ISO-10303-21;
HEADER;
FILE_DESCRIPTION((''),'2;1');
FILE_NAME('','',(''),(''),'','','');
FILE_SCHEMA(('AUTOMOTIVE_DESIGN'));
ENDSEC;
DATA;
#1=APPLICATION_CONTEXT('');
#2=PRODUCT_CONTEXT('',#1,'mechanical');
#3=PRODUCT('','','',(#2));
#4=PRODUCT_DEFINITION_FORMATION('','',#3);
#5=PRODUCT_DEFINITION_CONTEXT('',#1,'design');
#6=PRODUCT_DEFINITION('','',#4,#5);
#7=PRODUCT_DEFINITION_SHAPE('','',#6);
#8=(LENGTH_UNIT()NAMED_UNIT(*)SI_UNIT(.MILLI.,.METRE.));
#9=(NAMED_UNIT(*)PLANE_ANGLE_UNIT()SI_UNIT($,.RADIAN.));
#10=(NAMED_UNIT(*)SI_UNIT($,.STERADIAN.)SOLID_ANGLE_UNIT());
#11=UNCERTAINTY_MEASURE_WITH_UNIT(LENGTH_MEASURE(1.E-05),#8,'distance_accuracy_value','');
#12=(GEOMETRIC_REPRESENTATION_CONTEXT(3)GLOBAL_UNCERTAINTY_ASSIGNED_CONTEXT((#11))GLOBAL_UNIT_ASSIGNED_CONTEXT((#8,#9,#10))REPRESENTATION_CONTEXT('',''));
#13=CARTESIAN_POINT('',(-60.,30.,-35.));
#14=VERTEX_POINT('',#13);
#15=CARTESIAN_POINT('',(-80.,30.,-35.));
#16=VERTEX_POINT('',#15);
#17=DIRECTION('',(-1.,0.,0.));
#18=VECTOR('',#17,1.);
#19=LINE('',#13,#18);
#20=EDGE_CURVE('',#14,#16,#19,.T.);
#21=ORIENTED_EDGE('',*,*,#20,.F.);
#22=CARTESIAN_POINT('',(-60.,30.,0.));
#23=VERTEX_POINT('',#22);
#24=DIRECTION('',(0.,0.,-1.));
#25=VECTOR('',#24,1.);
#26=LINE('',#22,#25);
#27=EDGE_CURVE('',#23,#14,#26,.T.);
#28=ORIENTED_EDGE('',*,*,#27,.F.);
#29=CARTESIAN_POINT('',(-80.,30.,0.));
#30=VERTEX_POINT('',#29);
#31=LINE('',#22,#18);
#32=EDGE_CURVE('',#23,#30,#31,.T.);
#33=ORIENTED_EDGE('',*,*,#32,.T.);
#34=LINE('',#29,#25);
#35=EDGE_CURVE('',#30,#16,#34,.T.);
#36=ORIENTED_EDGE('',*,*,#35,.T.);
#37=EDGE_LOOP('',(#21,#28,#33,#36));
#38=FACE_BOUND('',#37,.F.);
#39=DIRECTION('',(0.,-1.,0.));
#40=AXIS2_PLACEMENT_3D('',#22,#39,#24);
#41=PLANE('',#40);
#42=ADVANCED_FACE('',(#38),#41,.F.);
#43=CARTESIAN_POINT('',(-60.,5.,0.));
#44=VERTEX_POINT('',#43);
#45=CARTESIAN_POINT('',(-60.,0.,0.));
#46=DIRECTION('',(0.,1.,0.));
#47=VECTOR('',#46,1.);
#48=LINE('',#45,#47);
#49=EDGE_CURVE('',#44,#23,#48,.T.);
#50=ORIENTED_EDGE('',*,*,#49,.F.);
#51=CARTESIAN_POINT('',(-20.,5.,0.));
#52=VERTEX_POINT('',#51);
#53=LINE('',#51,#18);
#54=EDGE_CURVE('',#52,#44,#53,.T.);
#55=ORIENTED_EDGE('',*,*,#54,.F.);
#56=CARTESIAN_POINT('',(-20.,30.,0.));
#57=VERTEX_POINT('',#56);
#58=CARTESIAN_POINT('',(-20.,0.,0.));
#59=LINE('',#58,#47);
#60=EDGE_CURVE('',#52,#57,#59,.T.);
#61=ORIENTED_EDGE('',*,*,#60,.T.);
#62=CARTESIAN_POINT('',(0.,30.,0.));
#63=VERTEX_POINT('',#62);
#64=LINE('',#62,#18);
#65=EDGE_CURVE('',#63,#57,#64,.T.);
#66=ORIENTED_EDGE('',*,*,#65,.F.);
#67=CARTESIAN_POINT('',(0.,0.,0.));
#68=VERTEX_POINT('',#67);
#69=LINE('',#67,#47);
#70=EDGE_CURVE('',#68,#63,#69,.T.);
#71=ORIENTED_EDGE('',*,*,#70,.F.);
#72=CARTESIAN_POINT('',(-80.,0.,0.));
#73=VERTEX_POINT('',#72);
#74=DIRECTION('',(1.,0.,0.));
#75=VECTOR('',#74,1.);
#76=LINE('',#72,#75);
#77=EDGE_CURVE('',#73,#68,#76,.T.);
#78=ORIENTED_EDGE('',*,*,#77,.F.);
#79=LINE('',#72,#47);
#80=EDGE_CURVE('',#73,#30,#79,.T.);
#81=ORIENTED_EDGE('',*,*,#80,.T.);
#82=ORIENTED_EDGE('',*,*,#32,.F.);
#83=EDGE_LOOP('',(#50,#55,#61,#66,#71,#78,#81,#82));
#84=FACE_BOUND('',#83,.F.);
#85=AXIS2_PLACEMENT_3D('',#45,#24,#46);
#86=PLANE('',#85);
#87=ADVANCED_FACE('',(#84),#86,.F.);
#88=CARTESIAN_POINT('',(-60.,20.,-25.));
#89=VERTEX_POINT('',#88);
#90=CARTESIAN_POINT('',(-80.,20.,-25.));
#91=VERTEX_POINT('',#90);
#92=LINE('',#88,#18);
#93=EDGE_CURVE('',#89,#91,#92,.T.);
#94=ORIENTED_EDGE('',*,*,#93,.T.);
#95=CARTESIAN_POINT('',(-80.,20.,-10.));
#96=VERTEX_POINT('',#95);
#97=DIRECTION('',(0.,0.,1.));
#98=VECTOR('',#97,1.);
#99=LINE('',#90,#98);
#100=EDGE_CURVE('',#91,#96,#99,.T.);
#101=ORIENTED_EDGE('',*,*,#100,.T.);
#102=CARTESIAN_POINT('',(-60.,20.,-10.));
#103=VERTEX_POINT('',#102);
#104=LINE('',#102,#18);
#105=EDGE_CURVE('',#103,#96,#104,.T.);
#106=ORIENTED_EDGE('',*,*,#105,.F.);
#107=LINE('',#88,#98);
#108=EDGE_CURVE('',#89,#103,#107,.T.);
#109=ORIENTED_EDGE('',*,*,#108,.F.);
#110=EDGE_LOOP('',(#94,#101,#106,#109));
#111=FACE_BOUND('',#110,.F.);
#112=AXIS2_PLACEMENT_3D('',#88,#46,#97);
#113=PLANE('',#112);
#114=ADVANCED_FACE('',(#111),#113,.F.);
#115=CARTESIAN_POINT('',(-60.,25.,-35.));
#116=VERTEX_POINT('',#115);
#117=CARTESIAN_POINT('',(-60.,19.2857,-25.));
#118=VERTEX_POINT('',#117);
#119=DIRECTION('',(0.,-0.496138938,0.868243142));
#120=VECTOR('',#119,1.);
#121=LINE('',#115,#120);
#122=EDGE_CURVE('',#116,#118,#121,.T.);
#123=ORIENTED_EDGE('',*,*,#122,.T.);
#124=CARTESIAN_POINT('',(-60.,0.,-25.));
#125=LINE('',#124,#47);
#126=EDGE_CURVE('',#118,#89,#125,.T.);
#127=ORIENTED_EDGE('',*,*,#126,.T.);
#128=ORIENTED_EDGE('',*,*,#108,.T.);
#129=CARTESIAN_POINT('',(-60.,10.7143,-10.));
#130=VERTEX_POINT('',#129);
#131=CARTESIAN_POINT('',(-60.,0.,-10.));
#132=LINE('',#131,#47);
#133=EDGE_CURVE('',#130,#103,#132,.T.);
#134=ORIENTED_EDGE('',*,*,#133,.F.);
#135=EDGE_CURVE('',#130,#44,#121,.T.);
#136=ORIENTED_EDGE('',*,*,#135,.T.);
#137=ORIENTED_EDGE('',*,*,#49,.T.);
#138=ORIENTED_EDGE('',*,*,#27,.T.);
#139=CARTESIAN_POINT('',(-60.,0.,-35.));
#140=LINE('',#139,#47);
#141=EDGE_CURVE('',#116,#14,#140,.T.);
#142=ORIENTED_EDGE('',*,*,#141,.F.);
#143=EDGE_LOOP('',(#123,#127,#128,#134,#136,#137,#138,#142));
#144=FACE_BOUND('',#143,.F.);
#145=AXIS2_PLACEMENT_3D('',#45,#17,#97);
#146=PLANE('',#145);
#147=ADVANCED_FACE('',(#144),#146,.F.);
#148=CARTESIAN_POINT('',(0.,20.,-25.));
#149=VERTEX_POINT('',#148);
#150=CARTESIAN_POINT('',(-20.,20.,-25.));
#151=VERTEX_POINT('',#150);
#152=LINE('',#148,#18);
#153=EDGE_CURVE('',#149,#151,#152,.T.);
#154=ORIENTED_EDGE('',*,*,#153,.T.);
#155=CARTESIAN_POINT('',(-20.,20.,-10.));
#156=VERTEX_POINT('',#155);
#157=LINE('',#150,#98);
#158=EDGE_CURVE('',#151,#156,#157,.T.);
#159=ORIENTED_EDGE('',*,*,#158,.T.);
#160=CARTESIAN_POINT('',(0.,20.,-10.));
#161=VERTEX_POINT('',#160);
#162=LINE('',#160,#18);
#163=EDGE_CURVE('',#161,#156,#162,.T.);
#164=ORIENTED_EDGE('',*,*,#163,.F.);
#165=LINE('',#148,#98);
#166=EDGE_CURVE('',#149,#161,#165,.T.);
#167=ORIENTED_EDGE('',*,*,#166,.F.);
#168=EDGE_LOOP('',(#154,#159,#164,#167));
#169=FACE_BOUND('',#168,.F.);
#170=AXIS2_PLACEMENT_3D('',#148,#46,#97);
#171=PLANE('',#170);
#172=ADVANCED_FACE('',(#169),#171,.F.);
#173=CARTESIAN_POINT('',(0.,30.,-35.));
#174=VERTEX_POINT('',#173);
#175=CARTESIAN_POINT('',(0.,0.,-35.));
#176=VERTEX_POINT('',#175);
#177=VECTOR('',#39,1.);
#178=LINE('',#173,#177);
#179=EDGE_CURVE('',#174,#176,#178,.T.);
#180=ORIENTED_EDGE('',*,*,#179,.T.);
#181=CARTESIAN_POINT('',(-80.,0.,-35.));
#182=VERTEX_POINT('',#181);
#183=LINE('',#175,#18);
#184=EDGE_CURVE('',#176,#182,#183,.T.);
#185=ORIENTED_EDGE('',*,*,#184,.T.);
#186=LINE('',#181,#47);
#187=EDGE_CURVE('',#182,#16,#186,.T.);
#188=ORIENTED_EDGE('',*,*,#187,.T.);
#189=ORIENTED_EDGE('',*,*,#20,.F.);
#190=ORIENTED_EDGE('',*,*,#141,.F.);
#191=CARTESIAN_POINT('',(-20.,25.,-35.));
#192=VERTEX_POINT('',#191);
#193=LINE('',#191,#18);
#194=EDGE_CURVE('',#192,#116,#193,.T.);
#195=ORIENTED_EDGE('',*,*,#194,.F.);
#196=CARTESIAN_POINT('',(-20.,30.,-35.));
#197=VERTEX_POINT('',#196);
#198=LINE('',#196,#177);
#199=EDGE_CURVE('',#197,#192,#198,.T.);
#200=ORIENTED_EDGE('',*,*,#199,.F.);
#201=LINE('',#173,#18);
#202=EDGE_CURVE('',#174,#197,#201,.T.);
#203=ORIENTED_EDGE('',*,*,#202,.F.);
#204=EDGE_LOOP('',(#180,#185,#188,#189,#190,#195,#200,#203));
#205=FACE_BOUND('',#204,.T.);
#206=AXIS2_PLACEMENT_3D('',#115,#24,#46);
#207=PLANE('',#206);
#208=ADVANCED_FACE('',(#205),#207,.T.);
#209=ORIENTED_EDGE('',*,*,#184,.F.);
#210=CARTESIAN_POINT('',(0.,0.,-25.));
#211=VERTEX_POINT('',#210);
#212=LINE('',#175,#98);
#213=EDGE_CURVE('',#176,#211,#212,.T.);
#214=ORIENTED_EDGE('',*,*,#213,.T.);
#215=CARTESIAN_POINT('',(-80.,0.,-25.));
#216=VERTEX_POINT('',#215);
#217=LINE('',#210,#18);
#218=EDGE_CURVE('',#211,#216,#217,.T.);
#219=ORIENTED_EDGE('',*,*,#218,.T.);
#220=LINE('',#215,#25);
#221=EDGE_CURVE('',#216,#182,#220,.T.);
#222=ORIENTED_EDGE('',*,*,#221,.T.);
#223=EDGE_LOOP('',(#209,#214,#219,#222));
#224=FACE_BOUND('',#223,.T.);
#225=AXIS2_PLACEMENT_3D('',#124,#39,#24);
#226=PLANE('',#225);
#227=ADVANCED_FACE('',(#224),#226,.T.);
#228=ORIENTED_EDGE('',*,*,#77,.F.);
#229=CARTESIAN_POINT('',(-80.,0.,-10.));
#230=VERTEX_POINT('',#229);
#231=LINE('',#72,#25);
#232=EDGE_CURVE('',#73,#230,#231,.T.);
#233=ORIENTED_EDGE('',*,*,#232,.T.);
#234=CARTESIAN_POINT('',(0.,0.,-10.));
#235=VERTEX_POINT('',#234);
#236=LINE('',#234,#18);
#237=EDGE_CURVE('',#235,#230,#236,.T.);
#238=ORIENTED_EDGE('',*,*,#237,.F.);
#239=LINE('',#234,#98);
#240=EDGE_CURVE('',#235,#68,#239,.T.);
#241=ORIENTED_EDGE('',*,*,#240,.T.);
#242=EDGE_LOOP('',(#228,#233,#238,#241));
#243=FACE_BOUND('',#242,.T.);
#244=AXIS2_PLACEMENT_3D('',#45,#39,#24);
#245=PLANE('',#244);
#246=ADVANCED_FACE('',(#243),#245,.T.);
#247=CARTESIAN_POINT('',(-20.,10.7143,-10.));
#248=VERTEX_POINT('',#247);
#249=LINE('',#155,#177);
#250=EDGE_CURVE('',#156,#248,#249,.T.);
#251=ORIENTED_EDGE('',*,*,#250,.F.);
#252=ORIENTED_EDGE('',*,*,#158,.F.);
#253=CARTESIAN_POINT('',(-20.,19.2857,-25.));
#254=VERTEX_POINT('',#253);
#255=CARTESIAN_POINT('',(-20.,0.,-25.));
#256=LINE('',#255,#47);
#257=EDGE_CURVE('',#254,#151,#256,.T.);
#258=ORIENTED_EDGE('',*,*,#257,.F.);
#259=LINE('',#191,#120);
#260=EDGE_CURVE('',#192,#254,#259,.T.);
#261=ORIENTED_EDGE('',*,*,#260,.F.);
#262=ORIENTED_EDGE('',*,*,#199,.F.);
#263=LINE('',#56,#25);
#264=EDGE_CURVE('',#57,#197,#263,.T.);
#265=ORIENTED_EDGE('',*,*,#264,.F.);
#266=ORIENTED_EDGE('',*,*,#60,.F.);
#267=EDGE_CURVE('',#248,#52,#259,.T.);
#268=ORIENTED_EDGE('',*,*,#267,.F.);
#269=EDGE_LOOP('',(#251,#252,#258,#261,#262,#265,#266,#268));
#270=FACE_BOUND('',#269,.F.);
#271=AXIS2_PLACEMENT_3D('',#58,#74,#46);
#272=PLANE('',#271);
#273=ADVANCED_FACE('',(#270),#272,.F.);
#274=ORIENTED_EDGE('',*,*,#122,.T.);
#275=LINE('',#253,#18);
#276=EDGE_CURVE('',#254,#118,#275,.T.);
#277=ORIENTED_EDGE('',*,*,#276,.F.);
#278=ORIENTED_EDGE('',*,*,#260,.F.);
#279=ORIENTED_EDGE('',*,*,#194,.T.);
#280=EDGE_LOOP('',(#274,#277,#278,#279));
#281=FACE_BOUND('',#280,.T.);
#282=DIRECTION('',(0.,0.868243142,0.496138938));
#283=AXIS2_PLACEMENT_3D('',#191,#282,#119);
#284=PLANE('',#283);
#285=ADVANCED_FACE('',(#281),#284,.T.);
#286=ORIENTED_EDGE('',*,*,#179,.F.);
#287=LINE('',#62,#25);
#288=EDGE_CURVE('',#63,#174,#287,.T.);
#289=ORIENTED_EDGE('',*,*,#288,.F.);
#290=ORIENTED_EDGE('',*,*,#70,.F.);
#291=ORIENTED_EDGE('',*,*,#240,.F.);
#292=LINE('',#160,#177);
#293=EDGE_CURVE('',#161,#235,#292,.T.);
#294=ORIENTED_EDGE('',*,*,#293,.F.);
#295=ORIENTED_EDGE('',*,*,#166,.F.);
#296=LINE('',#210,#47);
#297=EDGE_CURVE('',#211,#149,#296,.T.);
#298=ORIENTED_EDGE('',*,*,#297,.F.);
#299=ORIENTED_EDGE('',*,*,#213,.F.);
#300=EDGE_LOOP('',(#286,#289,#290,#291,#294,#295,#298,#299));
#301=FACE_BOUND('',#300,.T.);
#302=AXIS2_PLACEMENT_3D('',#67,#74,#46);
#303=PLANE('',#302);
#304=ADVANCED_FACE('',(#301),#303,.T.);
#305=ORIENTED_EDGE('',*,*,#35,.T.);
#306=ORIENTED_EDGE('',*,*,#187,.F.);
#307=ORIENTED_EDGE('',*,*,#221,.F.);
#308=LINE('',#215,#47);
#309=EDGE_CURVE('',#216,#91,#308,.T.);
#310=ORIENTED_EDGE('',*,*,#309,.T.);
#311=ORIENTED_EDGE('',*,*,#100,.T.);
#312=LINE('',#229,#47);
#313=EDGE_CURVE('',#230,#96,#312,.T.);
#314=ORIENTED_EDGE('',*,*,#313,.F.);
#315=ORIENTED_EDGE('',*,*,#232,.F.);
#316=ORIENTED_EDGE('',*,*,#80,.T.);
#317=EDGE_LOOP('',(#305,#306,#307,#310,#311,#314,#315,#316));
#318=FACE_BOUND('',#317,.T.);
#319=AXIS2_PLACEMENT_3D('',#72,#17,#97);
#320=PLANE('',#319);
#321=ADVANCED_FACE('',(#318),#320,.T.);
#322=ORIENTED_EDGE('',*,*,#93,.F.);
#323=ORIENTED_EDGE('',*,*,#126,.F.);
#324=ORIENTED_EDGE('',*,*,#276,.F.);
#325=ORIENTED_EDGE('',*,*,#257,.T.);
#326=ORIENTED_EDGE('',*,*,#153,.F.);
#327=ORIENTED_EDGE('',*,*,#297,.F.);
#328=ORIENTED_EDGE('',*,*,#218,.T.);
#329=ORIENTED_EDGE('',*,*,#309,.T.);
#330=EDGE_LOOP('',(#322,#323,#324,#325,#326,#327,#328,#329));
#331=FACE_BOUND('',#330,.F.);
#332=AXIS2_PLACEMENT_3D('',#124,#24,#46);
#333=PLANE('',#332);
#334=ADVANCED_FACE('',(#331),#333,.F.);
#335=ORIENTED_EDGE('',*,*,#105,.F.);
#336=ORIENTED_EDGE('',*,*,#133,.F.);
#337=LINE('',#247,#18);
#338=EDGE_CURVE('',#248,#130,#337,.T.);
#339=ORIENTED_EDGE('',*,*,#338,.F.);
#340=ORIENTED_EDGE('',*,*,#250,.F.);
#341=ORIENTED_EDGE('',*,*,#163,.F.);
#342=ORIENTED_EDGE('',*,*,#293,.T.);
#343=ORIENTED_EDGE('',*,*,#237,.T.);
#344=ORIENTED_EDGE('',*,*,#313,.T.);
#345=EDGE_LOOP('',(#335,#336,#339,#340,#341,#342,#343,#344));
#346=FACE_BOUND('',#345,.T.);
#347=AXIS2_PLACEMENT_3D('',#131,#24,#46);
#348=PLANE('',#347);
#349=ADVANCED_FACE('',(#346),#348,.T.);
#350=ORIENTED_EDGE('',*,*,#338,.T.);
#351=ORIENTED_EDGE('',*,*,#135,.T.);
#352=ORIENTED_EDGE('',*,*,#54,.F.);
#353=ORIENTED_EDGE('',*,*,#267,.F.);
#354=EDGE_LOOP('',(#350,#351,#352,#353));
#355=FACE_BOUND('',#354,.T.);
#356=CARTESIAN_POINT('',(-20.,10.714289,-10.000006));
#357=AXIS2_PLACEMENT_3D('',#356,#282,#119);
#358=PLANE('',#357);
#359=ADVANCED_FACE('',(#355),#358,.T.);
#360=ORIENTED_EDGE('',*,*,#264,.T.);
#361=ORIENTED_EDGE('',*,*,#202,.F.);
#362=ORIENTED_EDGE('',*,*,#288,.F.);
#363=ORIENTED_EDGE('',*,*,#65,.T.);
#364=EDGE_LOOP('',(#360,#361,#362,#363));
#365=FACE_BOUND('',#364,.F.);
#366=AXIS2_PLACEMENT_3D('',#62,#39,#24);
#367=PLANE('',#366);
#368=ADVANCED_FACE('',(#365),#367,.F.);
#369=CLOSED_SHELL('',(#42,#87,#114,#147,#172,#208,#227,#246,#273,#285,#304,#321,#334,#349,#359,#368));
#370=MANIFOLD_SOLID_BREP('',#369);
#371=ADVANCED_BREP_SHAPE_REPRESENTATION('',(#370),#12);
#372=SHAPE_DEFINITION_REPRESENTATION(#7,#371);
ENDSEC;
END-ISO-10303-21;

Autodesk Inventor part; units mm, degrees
ref_plane "YZ Plane" through (0, 0, 0) normal (1, 0, 0) x (0, 1, 0)
ref_plane "XZ Plane" through (0, 0, 0) normal (0, 1, 0) x (-1, 0, 0)
ref_plane "XY Plane" through (0, 0, 0) normal (0, 0, 1) x (1, 0, 0)
sketch "Sketch1" plane through (0, 0, 0) normal (0, 0, 1) x (1, 0, 0)
  point P0 (0, 0)
sketch "Sketch2" plane through (0, 0, 0) normal (1, 0, 0) x (0, 1, 0)
  line L0 (0, 0) -> (30, 0)
  line L1 (30, 0) -> (30, -35)
  line L2 (30, -35) -> (0, -35)
  line L3 (0, -35) -> (0, -25)
  line L4 (0, -25) -> (20, -25)
  line L5 (20, -25) -> (20, -10)
  line L6 (20, -10) -> (0, -10)
  line L7 (0, -10) -> (0, 0)
extrude "Extrusion1" add sketch "Sketch2" against normal blind 20
sketch "Sketch3" plane through (-20, 0, 0) normal (-1, 0, 0) x (0, 0, 1)
  line L0 (0, 0) -> (0, 30) projected
  line L1 (0, 5) -> (0, 0)
  line L2 (-35, 30) -> (-35, 0) projected
  line L3 (-35, 30) -> (-35, 25)
  line L4 (-35, 25) -> (0, 5)
  line L5 (-35, 25) -> (-35, 0)
  line L6 (-35, 0) -> (-25, 0) projected
  line L7 (-35, 0) -> (-25, 0)
  line L8 (-25, 0) -> (-25, 19.2857)
  line L9 (-25, 0) -> (-25, 20) projected
  line L10 (-25, 19.2857) -> (-35, 25)
  line L11 (-10, 20) -> (-10, 0) projected
  line L12 (-10, 10.7143) -> (0, 5)
  line L13 (-10, 0) -> (0, 0) projected
  line L14 (0, 0) -> (-10, 0)
  line L15 (-10, 0) -> (-10, 10.7143)
extrude "Extrusion2" add sketch "Sketch3" along normal blind 40
sketch "Sketch4" plane through (-60, 0, 0) normal (-1, 0, 0) x (0, 0, 1)
  line L0 (-35, 25) -> (-35, 0) projected
  line L1 (-35, 0) -> (-35, 30)
  line L2 (0, 30) -> (-35, 30) projected
  line L3 (-35, 30) -> (0, 30)
  line L4 (0, 0) -> (0, 30) projected
  line L5 (0, 30) -> (0, 0)
  line L6 (0, 0) -> (-10, 0)
  line L7 (-25, 20) -> (-10, 20) projected
  line L8 (-10, 0) -> (-10, 20)
  line L9 (-25, 0) -> (-25, 20) projected
  line L10 (-10, 20) -> (-25, 20)
  line L11 (-25, 20) -> (-25, 0)
  line L12 (-25, 0) -> (-35, 0)
extrude "Extrusion3" add sketch "Sketch4" along normal blind 20
properties part number "P3-13"
